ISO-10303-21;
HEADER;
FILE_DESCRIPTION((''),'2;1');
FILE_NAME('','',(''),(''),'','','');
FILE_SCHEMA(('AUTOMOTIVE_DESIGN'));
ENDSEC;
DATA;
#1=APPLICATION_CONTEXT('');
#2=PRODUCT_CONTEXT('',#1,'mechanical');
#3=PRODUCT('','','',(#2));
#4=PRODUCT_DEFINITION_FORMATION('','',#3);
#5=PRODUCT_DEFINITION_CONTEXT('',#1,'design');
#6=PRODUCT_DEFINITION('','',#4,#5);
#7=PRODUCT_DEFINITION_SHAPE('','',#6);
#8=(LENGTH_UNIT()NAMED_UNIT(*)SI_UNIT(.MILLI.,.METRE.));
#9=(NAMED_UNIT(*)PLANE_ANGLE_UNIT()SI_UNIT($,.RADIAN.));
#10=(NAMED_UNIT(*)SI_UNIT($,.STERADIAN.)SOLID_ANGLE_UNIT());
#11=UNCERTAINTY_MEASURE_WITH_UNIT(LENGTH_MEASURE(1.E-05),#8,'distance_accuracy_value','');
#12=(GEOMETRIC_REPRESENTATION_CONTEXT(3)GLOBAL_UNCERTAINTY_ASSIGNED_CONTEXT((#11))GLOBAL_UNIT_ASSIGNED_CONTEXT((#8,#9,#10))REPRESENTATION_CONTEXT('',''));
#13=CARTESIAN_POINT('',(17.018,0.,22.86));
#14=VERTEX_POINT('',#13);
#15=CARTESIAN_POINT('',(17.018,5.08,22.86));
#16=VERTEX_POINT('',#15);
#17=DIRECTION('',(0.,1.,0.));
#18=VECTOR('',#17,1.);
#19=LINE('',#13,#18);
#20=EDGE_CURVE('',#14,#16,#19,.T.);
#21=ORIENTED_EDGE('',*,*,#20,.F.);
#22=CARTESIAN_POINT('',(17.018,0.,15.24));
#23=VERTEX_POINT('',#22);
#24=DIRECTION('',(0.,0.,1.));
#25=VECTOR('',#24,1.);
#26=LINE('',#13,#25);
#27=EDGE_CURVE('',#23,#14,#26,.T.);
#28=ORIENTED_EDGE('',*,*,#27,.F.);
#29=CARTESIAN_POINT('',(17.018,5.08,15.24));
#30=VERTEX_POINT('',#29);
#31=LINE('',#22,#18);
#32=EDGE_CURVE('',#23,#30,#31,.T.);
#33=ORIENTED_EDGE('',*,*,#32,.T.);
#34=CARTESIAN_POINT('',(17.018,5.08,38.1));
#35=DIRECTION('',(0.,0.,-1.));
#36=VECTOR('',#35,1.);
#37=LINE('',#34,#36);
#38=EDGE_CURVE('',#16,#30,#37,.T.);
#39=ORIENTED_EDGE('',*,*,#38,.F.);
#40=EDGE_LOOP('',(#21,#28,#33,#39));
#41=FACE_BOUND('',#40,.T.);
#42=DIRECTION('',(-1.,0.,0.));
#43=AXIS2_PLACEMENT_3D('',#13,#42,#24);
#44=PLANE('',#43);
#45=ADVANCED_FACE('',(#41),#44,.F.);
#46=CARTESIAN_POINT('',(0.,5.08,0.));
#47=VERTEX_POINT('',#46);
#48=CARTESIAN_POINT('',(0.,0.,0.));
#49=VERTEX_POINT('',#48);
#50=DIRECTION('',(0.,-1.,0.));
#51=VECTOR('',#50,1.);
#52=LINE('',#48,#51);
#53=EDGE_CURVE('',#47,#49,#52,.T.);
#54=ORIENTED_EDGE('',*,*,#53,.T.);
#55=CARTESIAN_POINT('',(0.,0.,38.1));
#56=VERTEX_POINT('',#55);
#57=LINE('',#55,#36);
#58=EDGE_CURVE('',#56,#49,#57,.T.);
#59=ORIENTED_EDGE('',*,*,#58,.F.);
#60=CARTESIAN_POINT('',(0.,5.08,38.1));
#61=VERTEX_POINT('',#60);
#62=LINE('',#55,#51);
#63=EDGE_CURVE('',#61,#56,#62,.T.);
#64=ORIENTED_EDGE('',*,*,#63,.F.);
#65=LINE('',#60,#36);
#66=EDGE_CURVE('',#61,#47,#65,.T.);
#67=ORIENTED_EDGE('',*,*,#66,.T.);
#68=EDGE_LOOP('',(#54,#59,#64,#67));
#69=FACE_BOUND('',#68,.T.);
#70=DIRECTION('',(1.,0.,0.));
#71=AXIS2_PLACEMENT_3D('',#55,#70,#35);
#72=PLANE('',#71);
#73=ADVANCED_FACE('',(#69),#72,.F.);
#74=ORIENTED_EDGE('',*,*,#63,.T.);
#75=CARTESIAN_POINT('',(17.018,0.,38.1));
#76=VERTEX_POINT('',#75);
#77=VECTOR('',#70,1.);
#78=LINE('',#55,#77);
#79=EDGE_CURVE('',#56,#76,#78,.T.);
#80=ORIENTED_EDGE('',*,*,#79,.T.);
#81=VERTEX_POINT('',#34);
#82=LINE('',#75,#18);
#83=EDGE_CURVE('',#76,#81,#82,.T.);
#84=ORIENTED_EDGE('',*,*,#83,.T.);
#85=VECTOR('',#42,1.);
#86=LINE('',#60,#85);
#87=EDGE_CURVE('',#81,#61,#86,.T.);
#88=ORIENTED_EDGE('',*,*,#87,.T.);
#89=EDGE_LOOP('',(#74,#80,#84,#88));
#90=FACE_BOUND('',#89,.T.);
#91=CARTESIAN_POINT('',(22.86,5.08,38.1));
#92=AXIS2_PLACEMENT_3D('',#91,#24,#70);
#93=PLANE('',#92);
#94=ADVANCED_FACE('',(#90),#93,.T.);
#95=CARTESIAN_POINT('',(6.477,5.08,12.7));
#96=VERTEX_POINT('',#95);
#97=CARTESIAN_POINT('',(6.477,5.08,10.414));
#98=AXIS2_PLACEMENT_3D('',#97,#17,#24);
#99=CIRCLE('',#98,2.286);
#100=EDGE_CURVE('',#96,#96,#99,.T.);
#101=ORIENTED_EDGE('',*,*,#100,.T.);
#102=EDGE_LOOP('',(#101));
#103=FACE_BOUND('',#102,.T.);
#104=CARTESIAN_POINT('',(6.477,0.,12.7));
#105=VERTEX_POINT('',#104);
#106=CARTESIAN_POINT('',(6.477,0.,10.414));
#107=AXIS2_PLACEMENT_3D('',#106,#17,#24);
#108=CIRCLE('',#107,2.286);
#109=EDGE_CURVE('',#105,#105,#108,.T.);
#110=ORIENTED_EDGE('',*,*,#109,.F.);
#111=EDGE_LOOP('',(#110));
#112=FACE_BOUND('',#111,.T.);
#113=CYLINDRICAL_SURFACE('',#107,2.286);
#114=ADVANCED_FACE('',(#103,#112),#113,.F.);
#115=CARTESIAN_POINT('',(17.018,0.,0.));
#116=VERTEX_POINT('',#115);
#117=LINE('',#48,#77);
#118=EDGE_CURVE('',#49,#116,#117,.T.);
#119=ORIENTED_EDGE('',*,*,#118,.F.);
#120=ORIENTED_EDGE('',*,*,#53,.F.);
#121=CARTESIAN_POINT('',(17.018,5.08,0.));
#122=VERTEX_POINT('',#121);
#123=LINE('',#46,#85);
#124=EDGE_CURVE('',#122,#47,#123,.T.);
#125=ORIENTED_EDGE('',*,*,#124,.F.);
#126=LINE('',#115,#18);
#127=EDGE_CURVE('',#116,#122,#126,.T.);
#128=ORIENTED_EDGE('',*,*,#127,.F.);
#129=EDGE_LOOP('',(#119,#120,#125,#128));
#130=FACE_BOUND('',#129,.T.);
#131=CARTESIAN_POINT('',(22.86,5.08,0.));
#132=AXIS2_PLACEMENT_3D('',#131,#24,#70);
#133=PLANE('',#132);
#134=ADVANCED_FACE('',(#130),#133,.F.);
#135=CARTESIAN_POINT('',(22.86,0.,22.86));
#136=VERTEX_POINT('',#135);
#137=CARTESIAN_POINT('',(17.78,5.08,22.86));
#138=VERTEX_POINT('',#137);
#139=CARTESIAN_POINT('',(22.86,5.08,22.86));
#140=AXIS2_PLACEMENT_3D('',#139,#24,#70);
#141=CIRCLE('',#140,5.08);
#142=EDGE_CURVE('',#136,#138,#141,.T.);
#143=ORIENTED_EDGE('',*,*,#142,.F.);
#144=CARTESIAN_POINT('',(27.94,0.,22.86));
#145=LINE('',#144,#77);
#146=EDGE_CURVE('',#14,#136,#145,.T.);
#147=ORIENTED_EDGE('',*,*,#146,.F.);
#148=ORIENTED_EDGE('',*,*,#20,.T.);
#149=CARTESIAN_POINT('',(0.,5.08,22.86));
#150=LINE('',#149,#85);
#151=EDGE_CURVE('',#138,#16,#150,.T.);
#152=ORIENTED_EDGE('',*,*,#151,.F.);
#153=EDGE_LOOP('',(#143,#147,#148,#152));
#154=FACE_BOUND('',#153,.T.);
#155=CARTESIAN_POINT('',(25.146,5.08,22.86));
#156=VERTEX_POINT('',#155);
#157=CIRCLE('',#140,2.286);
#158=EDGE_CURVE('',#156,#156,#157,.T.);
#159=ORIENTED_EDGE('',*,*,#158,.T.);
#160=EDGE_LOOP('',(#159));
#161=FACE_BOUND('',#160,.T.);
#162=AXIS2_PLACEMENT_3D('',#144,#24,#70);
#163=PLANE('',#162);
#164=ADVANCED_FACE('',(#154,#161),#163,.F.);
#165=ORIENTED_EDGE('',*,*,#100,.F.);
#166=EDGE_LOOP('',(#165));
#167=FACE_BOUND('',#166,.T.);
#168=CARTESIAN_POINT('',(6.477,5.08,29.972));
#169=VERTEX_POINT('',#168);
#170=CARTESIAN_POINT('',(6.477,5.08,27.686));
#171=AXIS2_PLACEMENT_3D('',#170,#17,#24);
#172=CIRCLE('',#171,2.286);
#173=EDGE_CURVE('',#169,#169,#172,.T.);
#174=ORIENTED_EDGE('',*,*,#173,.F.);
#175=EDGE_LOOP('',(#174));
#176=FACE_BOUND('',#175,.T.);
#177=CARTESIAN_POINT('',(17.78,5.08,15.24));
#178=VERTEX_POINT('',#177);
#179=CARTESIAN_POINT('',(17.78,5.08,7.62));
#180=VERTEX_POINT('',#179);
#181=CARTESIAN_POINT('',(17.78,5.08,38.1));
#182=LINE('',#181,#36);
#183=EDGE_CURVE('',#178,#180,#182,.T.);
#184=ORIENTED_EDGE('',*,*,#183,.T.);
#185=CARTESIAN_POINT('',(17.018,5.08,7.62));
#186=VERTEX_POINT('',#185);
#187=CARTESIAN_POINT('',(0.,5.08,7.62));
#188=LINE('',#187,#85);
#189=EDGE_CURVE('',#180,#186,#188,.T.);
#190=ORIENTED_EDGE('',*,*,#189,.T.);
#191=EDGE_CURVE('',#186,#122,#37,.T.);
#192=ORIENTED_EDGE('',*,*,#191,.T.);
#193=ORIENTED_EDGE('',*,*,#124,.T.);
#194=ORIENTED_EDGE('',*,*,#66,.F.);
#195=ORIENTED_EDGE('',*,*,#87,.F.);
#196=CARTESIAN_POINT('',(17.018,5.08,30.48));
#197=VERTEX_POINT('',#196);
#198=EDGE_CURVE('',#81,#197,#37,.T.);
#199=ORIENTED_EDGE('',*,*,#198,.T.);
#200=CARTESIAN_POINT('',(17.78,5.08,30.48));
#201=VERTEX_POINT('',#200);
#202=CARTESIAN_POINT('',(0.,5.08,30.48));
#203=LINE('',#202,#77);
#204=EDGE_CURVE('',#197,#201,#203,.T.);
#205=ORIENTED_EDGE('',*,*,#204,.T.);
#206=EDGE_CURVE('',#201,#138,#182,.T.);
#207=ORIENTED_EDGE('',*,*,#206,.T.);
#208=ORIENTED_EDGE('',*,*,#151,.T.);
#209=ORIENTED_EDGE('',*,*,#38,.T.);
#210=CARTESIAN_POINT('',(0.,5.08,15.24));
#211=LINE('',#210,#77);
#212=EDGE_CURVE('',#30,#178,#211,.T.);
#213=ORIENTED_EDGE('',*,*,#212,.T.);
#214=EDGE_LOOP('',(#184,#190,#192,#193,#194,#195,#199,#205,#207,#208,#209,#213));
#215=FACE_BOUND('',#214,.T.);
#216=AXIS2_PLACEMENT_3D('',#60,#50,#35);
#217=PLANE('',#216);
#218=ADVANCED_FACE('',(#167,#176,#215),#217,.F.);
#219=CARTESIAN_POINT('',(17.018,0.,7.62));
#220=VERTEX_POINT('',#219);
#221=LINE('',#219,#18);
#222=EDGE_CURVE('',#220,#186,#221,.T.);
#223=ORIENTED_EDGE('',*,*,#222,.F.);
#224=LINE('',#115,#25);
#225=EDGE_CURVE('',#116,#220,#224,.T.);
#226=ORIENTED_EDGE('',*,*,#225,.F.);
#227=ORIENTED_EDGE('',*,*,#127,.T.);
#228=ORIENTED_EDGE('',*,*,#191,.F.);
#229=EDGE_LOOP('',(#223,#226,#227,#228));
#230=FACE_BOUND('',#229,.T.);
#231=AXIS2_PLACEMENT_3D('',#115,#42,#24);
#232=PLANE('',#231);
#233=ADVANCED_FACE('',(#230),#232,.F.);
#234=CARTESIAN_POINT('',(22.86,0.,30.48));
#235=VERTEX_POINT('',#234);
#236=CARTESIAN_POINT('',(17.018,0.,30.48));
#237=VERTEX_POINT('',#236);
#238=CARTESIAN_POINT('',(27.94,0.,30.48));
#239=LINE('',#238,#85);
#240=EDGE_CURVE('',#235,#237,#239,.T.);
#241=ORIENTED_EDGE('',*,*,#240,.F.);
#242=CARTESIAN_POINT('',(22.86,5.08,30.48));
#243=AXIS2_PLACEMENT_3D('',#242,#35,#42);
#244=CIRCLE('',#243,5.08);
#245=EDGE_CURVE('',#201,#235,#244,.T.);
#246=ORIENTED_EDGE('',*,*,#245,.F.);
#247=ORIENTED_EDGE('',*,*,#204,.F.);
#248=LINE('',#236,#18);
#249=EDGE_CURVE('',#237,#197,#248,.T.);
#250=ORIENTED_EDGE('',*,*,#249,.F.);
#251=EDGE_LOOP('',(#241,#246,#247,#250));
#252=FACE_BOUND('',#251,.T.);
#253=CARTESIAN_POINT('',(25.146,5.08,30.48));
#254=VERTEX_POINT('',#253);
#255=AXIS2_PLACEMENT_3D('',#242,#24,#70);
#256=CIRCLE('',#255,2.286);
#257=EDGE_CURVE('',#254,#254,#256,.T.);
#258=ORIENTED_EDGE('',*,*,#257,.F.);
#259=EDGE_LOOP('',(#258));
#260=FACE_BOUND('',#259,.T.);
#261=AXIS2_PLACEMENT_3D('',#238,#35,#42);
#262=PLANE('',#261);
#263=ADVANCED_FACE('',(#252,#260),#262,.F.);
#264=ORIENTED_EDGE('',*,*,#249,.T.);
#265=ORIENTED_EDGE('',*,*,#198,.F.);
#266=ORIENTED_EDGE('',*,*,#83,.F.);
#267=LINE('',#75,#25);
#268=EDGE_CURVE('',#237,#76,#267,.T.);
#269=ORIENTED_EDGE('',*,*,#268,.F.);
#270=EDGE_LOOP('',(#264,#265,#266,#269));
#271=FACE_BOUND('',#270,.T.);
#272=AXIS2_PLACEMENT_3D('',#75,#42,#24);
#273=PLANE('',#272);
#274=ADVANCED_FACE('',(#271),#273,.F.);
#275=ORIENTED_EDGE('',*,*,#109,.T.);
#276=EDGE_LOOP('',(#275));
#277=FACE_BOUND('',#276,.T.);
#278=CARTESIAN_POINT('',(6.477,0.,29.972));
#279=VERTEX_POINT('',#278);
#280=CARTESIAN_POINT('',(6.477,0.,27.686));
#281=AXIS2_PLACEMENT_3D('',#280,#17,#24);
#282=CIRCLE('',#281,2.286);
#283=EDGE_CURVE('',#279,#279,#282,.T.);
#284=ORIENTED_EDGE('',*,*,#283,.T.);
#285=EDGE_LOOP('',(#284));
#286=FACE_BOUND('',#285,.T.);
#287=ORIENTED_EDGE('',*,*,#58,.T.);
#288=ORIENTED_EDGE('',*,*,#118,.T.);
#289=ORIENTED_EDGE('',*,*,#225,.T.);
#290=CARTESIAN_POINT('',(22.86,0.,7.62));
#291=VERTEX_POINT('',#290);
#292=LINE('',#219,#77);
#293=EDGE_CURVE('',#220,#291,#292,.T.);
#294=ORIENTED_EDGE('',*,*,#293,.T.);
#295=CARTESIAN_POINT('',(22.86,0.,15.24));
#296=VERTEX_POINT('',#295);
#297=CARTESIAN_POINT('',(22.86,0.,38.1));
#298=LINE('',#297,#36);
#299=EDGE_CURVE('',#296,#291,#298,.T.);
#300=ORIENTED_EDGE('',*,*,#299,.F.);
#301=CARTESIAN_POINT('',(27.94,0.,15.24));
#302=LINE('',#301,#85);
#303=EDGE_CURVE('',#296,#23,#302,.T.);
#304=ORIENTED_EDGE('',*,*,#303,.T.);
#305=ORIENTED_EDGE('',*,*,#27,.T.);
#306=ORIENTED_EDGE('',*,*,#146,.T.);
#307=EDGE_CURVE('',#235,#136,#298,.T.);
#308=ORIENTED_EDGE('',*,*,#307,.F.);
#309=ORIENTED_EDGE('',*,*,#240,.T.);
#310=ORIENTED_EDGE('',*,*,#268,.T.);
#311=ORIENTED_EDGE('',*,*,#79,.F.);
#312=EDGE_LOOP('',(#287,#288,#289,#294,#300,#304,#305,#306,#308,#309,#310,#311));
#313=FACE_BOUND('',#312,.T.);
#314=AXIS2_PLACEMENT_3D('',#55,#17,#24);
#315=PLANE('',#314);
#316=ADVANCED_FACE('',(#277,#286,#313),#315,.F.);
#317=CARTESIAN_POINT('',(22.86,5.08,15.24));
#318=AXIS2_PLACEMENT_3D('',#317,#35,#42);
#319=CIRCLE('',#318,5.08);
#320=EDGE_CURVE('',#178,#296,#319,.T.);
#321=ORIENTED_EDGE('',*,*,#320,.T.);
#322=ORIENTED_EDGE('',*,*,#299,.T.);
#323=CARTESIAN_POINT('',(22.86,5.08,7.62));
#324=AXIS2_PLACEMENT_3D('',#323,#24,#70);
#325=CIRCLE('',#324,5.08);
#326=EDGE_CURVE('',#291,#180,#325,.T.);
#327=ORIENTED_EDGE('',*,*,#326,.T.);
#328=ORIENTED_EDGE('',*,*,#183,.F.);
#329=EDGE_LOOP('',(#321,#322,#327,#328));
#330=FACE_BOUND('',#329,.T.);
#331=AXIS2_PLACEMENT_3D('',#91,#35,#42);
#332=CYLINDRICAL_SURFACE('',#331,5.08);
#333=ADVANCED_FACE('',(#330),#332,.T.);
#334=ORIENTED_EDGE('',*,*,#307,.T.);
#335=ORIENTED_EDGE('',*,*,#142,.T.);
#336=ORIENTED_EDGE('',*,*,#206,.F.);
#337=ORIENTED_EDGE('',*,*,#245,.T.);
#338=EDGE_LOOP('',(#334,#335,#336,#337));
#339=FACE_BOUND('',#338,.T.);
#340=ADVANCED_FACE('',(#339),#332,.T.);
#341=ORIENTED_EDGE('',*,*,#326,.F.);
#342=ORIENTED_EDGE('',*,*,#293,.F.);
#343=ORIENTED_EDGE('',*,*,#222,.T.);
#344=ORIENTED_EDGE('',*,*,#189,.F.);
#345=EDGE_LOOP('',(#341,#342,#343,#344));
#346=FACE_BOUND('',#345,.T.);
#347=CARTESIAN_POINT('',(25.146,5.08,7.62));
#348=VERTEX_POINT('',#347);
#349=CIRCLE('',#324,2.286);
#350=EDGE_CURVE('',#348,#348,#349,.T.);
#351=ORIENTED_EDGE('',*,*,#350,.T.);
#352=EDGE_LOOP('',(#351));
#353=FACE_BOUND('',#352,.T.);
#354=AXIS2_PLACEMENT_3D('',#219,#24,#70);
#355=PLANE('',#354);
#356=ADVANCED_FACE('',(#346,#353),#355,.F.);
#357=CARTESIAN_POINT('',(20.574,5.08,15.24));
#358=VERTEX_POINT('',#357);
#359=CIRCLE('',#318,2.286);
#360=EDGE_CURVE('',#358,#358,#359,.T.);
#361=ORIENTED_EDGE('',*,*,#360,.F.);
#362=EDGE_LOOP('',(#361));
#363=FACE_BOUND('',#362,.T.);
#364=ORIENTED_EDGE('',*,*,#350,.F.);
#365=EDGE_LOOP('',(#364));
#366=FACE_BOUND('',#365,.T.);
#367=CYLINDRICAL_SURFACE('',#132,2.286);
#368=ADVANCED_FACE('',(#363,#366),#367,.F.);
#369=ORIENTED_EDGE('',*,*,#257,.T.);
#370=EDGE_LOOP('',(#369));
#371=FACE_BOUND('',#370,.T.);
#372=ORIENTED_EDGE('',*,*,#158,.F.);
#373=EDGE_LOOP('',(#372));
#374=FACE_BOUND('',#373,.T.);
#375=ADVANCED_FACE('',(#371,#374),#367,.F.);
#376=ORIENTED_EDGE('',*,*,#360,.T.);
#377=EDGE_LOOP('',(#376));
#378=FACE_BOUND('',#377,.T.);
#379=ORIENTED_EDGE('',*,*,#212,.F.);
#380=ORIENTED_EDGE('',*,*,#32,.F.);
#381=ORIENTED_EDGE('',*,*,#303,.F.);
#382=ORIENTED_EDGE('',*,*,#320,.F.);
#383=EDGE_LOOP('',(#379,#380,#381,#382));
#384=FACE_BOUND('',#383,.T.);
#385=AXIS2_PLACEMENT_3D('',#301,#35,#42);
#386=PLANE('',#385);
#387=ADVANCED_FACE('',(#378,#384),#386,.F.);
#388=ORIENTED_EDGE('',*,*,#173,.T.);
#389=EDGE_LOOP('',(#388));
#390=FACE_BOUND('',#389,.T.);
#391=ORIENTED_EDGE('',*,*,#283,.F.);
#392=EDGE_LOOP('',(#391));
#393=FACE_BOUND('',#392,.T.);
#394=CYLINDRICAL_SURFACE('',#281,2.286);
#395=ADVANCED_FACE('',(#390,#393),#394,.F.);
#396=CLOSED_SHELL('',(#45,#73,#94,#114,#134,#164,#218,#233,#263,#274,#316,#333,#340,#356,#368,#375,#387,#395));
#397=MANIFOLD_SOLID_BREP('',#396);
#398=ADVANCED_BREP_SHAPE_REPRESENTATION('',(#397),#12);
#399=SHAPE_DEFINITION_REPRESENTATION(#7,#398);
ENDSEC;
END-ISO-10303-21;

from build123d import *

# Parameters (mm, degrees)
BOSS_EXTRUDE1_DEPTH     = 38.1
SKETCH3_R               = 2.286
CUT_EXTRUDE2_DEPTH      = 6.08
SKETCH4_W               = 10.922
SKETCH4_H               = 7.62
CUT_EXTRUDE3_DEPTH      = 6.08
CUT_EXTRUDE3_DEPTH_BACK = 6.08
SKETCH7_R               = 2.286
CUT_EXTRUDE4_DEPTH      = 31.48


with BuildPart() as part:
    # Sketch1 → Boss-Extrude1 (new body)
    with BuildSketch(Plane.XY):
        with BuildLine():
            Line((0, 0), (0, 5.08))
            Line((0, 5.08), (17.78, 5.08))
            ThreePointArc((17.78, 5.08), (26.452102448, 8.672102448), (22.86, 0))
            Line((22.86, 0), (0, 0))
        make_face()
    extrude(amount=BOSS_EXTRUDE1_DEPTH)

    # Sketch3 → Cut-Extrude2 (cut, through all)
    with BuildSketch(Plane(origin=(0, 5.08, 0), x_dir=(1, 0, 0), z_dir=(0, 1, 0))):
        with Locations((6.477, -10.414)):
            Circle(SKETCH3_R)
        with Locations((6.477, -27.686)):
            Circle(SKETCH3_R)
    extrude(amount=-CUT_EXTRUDE2_DEPTH, mode=Mode.SUBTRACT)

    # Sketch4 → Cut-Extrude3 (cut, two sides)
    with BuildSketch(Plane(origin=(0, 5.08, 0), x_dir=(1, 0, 0), z_dir=(0, 1, 0))) as cut_extrude3_sk:
        with Locations((22.479, -3.81)):
            Rectangle(SKETCH4_W, SKETCH4_H)
        with Locations((22.479, -34.29)):
            Rectangle(SKETCH4_W, SKETCH4_H)
        with Locations((22.479, -19.05)):
            Rectangle(SKETCH4_W, SKETCH4_H)
    extrude(amount=CUT_EXTRUDE3_DEPTH, mode=Mode.SUBTRACT)
    extrude(cut_extrude3_sk.sketch, amount=-CUT_EXTRUDE3_DEPTH_BACK, mode=Mode.SUBTRACT)

    # Sketch7 → Cut-Extrude4 (cut, through all)
    with BuildSketch(Plane.XY.offset(30.48)):
        with Locations((22.86, 5.08)):
            Circle(SKETCH7_R)
    extrude(amount=-CUT_EXTRUDE4_DEPTH, mode=Mode.SUBTRACT)


solid = part.part
